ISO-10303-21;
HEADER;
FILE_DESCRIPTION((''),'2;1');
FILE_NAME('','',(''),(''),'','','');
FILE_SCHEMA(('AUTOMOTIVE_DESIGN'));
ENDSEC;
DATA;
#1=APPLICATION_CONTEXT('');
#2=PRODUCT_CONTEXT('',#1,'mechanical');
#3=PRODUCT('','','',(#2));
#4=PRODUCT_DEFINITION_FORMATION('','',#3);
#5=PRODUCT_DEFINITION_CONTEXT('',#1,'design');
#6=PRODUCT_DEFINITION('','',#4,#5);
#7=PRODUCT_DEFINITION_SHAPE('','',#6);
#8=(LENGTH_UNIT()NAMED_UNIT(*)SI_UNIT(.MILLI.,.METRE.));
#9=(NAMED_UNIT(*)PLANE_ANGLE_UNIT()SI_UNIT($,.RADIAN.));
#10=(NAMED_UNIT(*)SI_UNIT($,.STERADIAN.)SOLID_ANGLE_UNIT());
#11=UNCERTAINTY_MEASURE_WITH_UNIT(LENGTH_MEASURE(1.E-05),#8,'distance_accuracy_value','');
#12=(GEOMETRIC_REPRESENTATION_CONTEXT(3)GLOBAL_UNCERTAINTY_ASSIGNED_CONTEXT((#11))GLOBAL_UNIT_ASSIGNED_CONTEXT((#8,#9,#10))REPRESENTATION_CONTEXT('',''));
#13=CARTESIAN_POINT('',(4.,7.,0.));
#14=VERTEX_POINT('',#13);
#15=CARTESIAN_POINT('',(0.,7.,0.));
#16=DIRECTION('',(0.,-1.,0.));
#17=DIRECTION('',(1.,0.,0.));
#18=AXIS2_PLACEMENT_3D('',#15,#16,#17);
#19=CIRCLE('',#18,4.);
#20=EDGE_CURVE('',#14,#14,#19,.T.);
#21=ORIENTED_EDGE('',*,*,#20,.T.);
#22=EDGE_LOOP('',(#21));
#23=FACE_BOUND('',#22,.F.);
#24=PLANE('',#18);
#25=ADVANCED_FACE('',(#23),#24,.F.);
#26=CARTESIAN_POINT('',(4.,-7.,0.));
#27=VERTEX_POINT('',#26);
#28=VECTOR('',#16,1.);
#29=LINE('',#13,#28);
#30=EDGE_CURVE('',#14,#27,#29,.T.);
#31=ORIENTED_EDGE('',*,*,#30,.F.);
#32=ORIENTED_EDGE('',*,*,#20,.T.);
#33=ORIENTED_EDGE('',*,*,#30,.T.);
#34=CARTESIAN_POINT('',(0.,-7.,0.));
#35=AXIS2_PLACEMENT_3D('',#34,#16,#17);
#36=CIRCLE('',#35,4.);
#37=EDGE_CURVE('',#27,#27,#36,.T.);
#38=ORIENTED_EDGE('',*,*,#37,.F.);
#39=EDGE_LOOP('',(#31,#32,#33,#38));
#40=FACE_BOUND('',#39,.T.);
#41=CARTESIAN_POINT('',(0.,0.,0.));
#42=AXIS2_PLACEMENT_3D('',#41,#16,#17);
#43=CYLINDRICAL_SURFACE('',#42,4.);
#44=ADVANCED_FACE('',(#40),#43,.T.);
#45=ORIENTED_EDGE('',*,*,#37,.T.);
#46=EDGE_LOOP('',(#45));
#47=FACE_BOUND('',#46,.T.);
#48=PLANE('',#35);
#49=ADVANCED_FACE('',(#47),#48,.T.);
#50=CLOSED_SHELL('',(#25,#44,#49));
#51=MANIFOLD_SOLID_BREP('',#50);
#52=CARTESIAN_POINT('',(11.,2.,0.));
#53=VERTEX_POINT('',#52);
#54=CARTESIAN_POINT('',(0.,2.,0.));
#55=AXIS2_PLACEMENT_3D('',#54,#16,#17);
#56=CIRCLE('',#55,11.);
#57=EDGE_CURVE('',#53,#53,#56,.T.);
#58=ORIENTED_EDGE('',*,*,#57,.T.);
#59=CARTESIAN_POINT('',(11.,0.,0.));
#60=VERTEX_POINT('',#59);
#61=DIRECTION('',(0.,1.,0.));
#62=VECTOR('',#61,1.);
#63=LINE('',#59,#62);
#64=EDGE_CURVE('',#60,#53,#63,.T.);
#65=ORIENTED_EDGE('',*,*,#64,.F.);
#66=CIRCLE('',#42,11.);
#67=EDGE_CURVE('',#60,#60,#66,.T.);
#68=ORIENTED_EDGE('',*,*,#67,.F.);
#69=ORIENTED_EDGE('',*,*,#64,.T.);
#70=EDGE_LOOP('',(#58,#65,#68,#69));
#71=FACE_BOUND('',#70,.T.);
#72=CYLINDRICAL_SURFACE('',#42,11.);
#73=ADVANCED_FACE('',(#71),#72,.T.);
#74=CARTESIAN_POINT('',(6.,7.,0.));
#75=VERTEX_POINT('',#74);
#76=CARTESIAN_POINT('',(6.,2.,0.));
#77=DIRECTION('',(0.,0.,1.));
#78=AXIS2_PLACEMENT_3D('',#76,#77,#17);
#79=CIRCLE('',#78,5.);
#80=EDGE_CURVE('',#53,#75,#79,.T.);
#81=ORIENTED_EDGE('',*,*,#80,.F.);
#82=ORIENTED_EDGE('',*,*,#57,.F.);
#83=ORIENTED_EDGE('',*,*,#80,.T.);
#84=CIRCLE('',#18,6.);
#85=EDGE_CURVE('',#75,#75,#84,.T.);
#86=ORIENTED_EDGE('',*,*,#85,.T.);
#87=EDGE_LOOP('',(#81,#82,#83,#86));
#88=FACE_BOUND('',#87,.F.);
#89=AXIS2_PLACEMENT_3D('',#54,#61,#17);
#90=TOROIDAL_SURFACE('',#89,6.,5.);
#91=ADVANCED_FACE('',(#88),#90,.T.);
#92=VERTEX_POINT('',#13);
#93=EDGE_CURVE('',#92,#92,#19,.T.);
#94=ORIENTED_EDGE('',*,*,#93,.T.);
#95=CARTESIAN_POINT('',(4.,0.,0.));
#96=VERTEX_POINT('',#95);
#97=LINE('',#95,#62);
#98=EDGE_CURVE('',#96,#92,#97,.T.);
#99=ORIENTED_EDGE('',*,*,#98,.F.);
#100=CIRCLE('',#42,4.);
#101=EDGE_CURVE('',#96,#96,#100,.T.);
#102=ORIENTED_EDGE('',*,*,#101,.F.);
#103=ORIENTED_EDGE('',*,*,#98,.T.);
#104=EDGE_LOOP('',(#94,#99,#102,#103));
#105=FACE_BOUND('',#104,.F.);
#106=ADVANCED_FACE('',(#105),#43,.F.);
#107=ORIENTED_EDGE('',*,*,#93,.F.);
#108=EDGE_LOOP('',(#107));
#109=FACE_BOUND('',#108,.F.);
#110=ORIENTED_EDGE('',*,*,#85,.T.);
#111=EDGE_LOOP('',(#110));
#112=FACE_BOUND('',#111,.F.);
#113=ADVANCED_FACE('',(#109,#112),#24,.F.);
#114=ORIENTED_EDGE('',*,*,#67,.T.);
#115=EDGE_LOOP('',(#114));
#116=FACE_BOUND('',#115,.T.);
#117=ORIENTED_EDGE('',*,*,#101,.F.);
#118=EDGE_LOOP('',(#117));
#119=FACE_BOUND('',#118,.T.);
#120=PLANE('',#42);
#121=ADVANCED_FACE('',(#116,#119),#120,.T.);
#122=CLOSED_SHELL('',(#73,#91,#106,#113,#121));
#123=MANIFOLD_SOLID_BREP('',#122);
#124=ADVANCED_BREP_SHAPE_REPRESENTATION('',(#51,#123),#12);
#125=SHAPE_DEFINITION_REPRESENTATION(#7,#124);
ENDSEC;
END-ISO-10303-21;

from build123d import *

# Parameters (mm, degrees)
F0_R     = 4
F1_DEPTH = 7
F0_R_2   = 11
F2_DEPTH = 7
F3_R     = 5


with BuildPart() as f1:
    # F0 (on Front) → F1 (new body, symmetric)
    with BuildSketch(Plane.XZ):
        Circle(F0_R)
    extrude(amount=F1_DEPTH, both=True)


with BuildPart() as f2:
    # F0 (on Front) → F2 (new body)
    with BuildSketch(Plane.XZ):
        Circle(F0_R_2)
        Circle(F0_R, mode=Mode.SUBTRACT)
    extrude(amount=-F2_DEPTH)

    # F3
    f3_edges = [f2.edges().sort_by_distance(p)[0] for p in [
        (-11, 7, 0),
    ]]
    fillet(f3_edges, radius=F3_R)


solid = Compound([f1.part, f2.part])
